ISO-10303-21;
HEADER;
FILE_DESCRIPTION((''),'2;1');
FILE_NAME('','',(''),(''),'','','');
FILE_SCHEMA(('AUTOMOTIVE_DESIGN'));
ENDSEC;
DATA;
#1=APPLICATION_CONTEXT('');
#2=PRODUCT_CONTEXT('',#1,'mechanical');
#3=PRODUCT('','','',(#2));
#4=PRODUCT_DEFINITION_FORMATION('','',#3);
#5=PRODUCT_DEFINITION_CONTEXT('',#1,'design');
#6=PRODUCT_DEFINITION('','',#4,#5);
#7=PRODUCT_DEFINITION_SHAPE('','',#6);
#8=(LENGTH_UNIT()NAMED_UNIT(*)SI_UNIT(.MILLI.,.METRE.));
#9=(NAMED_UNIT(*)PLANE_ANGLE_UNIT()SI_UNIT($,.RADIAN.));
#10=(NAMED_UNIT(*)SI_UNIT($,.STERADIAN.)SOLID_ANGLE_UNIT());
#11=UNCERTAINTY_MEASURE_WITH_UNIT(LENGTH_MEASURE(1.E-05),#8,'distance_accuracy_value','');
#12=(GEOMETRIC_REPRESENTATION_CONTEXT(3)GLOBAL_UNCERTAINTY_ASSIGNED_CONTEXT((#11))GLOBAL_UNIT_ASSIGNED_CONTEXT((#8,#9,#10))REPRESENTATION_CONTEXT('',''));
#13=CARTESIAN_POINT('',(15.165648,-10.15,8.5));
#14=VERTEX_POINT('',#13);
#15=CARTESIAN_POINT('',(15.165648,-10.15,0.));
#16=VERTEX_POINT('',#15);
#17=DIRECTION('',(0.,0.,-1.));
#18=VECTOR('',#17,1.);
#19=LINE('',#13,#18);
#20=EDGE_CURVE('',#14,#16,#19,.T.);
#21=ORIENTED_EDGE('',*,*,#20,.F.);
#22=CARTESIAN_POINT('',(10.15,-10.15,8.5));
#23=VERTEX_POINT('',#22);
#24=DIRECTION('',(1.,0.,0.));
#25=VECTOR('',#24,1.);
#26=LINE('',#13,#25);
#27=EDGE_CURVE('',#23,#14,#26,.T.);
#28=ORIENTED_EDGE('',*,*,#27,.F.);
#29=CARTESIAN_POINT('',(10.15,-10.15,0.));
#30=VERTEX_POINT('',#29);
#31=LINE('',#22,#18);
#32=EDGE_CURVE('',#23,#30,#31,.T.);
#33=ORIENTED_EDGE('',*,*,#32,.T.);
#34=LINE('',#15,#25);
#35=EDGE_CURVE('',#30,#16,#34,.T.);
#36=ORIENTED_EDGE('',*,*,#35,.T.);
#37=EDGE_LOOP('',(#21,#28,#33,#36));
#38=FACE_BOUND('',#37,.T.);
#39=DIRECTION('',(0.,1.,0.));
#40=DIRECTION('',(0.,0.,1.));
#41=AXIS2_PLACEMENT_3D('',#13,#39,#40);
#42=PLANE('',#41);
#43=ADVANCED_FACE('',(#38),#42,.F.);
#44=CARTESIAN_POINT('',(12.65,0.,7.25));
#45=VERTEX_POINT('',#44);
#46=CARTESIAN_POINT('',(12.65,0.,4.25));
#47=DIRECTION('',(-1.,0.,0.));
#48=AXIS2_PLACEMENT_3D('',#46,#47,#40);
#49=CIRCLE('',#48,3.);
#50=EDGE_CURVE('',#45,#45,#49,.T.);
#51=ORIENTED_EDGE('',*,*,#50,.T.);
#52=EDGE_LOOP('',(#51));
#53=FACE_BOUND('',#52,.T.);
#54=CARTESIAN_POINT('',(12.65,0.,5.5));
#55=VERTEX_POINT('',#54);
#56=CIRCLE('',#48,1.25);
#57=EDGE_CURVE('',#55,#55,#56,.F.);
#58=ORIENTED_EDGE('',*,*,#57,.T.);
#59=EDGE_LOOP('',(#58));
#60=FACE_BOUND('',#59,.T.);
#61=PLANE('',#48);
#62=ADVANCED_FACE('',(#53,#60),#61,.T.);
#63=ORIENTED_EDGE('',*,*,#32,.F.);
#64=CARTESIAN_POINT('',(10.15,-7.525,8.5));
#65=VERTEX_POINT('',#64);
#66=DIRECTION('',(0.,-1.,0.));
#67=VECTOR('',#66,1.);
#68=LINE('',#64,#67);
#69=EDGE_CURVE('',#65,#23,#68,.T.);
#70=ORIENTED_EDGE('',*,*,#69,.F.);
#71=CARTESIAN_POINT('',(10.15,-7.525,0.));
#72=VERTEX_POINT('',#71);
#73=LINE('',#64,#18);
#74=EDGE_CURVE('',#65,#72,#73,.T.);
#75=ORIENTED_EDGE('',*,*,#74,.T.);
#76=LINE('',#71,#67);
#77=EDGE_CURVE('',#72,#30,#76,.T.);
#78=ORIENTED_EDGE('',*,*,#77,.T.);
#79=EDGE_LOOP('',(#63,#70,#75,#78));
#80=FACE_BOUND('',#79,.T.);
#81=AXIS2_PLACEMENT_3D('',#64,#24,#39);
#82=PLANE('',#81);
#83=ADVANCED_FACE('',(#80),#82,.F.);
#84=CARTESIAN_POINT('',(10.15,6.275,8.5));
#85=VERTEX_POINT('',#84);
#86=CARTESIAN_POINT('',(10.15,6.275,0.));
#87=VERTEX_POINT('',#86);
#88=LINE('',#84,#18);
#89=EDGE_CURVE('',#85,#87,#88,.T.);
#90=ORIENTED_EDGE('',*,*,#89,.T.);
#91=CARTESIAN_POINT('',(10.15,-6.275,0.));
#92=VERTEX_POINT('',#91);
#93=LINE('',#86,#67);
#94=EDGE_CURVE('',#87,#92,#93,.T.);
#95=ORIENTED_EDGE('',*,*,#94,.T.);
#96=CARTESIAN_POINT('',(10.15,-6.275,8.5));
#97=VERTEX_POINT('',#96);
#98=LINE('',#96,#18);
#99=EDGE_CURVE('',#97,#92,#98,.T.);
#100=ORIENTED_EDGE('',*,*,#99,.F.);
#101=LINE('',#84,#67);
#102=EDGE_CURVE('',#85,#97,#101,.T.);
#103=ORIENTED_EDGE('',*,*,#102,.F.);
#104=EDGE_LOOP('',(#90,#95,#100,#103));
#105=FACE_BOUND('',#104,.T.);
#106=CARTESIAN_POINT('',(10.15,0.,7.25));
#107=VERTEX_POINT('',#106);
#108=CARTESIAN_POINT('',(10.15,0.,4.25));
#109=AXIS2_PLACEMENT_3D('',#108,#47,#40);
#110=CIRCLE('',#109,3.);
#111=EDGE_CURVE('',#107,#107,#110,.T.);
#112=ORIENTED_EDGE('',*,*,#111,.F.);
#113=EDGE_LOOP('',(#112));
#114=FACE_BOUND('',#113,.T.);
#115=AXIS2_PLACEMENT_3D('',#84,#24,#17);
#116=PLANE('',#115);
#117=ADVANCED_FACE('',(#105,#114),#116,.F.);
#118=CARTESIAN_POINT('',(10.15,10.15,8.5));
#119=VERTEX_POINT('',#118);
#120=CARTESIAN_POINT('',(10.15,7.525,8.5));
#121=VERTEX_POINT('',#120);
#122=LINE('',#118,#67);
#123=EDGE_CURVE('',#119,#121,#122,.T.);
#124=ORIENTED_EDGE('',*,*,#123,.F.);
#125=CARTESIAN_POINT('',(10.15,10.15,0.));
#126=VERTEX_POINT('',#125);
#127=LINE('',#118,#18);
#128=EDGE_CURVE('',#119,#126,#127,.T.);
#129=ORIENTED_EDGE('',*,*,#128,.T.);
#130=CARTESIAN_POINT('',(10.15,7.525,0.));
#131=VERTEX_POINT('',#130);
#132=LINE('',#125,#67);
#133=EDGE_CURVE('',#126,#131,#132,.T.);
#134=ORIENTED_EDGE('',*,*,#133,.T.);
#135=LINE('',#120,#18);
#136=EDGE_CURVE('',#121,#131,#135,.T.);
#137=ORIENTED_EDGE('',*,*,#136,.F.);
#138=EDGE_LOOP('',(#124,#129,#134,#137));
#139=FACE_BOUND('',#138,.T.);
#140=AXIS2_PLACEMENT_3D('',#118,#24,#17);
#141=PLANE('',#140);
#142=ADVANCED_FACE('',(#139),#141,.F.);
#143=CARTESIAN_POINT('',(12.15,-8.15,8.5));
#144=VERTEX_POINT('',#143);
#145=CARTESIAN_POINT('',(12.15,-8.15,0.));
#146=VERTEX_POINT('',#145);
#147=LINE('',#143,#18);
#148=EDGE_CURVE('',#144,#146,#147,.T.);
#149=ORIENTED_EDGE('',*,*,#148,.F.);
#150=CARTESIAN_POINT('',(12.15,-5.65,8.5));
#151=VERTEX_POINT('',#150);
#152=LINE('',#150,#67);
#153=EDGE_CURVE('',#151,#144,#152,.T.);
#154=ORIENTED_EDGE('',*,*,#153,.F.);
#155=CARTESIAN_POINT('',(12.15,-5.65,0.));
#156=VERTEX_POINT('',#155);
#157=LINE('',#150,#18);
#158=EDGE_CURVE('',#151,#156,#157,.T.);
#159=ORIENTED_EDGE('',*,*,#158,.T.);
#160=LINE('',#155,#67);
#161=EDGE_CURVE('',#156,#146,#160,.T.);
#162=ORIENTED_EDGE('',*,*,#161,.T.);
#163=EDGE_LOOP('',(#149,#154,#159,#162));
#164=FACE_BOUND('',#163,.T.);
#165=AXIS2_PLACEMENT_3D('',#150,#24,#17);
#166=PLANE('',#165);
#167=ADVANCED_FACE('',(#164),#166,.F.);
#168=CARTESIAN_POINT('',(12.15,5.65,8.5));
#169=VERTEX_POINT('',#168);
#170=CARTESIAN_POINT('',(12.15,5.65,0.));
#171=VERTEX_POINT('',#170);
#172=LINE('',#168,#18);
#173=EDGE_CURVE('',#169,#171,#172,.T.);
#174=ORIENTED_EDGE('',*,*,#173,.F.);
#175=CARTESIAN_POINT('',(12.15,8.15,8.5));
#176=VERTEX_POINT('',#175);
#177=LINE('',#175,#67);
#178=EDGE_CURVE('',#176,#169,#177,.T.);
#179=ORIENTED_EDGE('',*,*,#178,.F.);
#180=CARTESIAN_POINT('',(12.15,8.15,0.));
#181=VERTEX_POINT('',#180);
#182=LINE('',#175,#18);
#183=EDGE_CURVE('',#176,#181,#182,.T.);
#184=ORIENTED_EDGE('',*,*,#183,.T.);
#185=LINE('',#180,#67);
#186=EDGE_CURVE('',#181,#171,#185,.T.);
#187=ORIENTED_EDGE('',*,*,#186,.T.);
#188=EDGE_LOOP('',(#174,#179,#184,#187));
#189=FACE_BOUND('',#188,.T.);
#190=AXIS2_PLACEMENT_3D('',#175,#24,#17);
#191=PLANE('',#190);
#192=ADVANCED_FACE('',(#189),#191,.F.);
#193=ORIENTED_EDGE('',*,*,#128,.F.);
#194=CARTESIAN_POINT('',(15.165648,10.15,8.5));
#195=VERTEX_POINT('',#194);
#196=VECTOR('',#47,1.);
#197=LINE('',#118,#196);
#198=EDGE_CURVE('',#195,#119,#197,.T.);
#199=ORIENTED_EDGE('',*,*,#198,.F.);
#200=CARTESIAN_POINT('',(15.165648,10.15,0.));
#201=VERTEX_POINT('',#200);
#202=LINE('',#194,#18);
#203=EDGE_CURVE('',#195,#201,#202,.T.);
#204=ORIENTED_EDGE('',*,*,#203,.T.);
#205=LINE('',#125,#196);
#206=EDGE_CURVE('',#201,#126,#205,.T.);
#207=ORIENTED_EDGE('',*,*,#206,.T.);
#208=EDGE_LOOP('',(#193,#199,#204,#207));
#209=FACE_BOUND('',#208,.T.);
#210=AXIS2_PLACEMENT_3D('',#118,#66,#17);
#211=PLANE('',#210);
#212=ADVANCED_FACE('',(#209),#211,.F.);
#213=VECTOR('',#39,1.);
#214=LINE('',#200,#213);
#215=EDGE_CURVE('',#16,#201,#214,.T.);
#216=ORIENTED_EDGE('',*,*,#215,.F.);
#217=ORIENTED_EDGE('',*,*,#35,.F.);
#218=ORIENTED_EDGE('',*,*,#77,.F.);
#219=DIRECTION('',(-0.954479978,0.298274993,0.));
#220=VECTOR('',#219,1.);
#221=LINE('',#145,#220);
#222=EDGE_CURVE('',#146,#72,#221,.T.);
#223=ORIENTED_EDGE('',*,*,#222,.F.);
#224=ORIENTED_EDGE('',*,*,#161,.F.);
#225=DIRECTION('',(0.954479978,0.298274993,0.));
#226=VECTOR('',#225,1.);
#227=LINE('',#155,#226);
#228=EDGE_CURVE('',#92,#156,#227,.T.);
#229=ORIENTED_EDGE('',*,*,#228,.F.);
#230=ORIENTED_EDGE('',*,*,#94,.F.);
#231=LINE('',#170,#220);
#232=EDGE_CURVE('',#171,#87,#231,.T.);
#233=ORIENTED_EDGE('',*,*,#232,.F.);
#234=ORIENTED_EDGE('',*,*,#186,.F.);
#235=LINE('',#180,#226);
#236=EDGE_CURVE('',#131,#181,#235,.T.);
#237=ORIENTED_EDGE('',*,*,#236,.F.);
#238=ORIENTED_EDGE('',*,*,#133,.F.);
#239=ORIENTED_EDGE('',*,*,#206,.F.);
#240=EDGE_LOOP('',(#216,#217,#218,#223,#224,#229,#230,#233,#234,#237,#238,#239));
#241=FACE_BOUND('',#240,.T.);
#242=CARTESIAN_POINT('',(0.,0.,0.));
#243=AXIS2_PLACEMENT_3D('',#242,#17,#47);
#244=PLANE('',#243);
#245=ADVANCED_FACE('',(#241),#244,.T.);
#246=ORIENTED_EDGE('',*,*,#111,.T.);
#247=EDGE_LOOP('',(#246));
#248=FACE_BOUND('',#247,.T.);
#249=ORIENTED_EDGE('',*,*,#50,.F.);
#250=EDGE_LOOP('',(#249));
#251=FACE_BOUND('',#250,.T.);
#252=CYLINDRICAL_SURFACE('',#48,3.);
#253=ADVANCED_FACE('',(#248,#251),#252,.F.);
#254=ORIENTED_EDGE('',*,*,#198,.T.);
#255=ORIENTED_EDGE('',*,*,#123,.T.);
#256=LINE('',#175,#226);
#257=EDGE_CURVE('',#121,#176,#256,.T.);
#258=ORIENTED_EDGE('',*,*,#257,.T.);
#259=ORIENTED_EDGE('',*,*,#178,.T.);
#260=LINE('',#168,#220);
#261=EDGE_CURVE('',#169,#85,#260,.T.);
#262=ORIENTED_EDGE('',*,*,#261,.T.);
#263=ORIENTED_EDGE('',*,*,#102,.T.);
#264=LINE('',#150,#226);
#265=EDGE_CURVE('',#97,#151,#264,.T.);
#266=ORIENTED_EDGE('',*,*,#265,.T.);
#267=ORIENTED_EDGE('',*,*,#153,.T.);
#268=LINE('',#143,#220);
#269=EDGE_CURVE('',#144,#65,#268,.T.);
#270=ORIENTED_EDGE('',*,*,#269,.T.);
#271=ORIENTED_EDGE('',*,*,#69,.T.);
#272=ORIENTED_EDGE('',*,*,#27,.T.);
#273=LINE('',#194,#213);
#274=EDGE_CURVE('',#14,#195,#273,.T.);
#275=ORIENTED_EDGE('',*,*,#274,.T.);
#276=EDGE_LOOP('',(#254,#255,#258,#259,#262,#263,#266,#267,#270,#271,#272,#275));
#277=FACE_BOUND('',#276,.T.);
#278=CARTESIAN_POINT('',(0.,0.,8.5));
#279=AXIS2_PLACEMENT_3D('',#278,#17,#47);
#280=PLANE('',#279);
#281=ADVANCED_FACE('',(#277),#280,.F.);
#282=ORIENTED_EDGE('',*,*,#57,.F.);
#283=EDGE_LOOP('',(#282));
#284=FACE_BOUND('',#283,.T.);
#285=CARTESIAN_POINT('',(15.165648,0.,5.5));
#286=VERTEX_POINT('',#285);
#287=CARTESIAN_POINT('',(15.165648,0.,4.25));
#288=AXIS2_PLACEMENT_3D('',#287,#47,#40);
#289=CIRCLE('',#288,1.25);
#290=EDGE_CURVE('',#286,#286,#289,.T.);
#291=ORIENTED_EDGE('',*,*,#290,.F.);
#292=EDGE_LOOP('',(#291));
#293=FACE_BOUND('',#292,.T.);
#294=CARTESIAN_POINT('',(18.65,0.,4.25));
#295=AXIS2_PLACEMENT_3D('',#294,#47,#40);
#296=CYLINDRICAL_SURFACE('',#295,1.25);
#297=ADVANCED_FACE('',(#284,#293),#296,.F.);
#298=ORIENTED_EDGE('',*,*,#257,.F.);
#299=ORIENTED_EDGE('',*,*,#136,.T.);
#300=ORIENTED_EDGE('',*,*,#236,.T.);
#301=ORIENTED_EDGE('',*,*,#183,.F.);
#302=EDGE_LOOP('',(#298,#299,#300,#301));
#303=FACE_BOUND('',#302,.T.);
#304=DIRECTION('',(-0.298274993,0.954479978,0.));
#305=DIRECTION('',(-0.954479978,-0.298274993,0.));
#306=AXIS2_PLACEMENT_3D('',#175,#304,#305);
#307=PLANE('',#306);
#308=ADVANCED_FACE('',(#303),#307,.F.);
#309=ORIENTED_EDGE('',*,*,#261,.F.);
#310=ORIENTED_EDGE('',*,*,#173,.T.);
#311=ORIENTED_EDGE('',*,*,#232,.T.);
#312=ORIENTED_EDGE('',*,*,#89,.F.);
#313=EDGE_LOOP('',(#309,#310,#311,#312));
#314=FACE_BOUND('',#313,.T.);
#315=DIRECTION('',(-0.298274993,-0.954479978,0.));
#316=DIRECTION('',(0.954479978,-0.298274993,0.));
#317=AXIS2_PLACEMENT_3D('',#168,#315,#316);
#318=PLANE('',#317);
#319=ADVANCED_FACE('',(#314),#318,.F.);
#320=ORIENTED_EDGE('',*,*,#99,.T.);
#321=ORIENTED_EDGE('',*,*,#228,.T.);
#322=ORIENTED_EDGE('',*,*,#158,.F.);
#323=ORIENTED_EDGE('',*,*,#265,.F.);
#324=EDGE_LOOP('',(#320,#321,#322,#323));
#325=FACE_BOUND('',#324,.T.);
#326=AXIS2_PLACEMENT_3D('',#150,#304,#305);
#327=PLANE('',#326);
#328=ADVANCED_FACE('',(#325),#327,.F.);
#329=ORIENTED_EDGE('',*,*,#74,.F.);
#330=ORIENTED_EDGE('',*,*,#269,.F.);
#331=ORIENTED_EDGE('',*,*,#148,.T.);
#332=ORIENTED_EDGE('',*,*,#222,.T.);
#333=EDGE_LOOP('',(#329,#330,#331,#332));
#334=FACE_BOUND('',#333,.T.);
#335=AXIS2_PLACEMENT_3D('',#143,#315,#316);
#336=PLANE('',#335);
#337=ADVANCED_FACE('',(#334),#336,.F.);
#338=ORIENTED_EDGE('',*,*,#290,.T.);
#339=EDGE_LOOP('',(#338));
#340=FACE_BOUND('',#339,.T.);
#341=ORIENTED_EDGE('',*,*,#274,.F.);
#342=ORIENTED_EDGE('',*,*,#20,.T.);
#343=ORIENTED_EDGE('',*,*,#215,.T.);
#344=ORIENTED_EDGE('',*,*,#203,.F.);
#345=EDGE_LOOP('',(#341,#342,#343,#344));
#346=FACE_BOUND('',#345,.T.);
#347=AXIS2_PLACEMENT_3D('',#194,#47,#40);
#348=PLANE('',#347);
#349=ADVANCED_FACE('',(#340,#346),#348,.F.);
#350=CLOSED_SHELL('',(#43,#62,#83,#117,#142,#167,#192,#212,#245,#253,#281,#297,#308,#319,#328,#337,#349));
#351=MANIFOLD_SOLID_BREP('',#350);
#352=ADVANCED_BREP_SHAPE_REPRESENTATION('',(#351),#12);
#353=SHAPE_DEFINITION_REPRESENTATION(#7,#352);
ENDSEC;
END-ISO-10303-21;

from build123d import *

# Parameters (mm, degrees)
SALIENTE_EXTRUIR1_DEPTH = 8.5
CROQUIS2_R              = 1.25
CORTAR_EXTRUIR1_DEPTH   = 8.5
CROQUIS3_R              = 3
CORTAR_EXTRUIR2_DEPTH   = 2.5


with BuildPart() as part:
    # Croquis1 → Saliente-Extruir1 (new body)
    with BuildSketch(Plane.XY):
        Polygon((12.15, 8.15), (12.15, 5.65), (10.15, 6.275), (10.15, -6.275), (12.15, -5.65), (12.15, -8.15), (10.15, -7.525), (10.15, -10.15), (15.165647838, -10.15), (15.165647838, 10.15), (10.15, 10.15), (10.15, 7.525), align=None)
    extrude(amount=SALIENTE_EXTRUIR1_DEPTH)

    # Croquis2 → Cortar-Extruir1 (cut)
    with BuildSketch(Plane.ZY.offset(-10.15)):
        with Locations((4.25, 0)):
            Circle(CROQUIS2_R)
    extrude(amount=-CORTAR_EXTRUIR1_DEPTH, mode=Mode.SUBTRACT)

    # Croquis3 → Cortar-Extruir2 (cut)
    with BuildSketch(Plane.ZY.offset(-10.15)):
        with Locations((4.25, 0)):
            Circle(CROQUIS3_R)
    extrude(amount=-CORTAR_EXTRUIR2_DEPTH, mode=Mode.SUBTRACT)


solid = part.part
